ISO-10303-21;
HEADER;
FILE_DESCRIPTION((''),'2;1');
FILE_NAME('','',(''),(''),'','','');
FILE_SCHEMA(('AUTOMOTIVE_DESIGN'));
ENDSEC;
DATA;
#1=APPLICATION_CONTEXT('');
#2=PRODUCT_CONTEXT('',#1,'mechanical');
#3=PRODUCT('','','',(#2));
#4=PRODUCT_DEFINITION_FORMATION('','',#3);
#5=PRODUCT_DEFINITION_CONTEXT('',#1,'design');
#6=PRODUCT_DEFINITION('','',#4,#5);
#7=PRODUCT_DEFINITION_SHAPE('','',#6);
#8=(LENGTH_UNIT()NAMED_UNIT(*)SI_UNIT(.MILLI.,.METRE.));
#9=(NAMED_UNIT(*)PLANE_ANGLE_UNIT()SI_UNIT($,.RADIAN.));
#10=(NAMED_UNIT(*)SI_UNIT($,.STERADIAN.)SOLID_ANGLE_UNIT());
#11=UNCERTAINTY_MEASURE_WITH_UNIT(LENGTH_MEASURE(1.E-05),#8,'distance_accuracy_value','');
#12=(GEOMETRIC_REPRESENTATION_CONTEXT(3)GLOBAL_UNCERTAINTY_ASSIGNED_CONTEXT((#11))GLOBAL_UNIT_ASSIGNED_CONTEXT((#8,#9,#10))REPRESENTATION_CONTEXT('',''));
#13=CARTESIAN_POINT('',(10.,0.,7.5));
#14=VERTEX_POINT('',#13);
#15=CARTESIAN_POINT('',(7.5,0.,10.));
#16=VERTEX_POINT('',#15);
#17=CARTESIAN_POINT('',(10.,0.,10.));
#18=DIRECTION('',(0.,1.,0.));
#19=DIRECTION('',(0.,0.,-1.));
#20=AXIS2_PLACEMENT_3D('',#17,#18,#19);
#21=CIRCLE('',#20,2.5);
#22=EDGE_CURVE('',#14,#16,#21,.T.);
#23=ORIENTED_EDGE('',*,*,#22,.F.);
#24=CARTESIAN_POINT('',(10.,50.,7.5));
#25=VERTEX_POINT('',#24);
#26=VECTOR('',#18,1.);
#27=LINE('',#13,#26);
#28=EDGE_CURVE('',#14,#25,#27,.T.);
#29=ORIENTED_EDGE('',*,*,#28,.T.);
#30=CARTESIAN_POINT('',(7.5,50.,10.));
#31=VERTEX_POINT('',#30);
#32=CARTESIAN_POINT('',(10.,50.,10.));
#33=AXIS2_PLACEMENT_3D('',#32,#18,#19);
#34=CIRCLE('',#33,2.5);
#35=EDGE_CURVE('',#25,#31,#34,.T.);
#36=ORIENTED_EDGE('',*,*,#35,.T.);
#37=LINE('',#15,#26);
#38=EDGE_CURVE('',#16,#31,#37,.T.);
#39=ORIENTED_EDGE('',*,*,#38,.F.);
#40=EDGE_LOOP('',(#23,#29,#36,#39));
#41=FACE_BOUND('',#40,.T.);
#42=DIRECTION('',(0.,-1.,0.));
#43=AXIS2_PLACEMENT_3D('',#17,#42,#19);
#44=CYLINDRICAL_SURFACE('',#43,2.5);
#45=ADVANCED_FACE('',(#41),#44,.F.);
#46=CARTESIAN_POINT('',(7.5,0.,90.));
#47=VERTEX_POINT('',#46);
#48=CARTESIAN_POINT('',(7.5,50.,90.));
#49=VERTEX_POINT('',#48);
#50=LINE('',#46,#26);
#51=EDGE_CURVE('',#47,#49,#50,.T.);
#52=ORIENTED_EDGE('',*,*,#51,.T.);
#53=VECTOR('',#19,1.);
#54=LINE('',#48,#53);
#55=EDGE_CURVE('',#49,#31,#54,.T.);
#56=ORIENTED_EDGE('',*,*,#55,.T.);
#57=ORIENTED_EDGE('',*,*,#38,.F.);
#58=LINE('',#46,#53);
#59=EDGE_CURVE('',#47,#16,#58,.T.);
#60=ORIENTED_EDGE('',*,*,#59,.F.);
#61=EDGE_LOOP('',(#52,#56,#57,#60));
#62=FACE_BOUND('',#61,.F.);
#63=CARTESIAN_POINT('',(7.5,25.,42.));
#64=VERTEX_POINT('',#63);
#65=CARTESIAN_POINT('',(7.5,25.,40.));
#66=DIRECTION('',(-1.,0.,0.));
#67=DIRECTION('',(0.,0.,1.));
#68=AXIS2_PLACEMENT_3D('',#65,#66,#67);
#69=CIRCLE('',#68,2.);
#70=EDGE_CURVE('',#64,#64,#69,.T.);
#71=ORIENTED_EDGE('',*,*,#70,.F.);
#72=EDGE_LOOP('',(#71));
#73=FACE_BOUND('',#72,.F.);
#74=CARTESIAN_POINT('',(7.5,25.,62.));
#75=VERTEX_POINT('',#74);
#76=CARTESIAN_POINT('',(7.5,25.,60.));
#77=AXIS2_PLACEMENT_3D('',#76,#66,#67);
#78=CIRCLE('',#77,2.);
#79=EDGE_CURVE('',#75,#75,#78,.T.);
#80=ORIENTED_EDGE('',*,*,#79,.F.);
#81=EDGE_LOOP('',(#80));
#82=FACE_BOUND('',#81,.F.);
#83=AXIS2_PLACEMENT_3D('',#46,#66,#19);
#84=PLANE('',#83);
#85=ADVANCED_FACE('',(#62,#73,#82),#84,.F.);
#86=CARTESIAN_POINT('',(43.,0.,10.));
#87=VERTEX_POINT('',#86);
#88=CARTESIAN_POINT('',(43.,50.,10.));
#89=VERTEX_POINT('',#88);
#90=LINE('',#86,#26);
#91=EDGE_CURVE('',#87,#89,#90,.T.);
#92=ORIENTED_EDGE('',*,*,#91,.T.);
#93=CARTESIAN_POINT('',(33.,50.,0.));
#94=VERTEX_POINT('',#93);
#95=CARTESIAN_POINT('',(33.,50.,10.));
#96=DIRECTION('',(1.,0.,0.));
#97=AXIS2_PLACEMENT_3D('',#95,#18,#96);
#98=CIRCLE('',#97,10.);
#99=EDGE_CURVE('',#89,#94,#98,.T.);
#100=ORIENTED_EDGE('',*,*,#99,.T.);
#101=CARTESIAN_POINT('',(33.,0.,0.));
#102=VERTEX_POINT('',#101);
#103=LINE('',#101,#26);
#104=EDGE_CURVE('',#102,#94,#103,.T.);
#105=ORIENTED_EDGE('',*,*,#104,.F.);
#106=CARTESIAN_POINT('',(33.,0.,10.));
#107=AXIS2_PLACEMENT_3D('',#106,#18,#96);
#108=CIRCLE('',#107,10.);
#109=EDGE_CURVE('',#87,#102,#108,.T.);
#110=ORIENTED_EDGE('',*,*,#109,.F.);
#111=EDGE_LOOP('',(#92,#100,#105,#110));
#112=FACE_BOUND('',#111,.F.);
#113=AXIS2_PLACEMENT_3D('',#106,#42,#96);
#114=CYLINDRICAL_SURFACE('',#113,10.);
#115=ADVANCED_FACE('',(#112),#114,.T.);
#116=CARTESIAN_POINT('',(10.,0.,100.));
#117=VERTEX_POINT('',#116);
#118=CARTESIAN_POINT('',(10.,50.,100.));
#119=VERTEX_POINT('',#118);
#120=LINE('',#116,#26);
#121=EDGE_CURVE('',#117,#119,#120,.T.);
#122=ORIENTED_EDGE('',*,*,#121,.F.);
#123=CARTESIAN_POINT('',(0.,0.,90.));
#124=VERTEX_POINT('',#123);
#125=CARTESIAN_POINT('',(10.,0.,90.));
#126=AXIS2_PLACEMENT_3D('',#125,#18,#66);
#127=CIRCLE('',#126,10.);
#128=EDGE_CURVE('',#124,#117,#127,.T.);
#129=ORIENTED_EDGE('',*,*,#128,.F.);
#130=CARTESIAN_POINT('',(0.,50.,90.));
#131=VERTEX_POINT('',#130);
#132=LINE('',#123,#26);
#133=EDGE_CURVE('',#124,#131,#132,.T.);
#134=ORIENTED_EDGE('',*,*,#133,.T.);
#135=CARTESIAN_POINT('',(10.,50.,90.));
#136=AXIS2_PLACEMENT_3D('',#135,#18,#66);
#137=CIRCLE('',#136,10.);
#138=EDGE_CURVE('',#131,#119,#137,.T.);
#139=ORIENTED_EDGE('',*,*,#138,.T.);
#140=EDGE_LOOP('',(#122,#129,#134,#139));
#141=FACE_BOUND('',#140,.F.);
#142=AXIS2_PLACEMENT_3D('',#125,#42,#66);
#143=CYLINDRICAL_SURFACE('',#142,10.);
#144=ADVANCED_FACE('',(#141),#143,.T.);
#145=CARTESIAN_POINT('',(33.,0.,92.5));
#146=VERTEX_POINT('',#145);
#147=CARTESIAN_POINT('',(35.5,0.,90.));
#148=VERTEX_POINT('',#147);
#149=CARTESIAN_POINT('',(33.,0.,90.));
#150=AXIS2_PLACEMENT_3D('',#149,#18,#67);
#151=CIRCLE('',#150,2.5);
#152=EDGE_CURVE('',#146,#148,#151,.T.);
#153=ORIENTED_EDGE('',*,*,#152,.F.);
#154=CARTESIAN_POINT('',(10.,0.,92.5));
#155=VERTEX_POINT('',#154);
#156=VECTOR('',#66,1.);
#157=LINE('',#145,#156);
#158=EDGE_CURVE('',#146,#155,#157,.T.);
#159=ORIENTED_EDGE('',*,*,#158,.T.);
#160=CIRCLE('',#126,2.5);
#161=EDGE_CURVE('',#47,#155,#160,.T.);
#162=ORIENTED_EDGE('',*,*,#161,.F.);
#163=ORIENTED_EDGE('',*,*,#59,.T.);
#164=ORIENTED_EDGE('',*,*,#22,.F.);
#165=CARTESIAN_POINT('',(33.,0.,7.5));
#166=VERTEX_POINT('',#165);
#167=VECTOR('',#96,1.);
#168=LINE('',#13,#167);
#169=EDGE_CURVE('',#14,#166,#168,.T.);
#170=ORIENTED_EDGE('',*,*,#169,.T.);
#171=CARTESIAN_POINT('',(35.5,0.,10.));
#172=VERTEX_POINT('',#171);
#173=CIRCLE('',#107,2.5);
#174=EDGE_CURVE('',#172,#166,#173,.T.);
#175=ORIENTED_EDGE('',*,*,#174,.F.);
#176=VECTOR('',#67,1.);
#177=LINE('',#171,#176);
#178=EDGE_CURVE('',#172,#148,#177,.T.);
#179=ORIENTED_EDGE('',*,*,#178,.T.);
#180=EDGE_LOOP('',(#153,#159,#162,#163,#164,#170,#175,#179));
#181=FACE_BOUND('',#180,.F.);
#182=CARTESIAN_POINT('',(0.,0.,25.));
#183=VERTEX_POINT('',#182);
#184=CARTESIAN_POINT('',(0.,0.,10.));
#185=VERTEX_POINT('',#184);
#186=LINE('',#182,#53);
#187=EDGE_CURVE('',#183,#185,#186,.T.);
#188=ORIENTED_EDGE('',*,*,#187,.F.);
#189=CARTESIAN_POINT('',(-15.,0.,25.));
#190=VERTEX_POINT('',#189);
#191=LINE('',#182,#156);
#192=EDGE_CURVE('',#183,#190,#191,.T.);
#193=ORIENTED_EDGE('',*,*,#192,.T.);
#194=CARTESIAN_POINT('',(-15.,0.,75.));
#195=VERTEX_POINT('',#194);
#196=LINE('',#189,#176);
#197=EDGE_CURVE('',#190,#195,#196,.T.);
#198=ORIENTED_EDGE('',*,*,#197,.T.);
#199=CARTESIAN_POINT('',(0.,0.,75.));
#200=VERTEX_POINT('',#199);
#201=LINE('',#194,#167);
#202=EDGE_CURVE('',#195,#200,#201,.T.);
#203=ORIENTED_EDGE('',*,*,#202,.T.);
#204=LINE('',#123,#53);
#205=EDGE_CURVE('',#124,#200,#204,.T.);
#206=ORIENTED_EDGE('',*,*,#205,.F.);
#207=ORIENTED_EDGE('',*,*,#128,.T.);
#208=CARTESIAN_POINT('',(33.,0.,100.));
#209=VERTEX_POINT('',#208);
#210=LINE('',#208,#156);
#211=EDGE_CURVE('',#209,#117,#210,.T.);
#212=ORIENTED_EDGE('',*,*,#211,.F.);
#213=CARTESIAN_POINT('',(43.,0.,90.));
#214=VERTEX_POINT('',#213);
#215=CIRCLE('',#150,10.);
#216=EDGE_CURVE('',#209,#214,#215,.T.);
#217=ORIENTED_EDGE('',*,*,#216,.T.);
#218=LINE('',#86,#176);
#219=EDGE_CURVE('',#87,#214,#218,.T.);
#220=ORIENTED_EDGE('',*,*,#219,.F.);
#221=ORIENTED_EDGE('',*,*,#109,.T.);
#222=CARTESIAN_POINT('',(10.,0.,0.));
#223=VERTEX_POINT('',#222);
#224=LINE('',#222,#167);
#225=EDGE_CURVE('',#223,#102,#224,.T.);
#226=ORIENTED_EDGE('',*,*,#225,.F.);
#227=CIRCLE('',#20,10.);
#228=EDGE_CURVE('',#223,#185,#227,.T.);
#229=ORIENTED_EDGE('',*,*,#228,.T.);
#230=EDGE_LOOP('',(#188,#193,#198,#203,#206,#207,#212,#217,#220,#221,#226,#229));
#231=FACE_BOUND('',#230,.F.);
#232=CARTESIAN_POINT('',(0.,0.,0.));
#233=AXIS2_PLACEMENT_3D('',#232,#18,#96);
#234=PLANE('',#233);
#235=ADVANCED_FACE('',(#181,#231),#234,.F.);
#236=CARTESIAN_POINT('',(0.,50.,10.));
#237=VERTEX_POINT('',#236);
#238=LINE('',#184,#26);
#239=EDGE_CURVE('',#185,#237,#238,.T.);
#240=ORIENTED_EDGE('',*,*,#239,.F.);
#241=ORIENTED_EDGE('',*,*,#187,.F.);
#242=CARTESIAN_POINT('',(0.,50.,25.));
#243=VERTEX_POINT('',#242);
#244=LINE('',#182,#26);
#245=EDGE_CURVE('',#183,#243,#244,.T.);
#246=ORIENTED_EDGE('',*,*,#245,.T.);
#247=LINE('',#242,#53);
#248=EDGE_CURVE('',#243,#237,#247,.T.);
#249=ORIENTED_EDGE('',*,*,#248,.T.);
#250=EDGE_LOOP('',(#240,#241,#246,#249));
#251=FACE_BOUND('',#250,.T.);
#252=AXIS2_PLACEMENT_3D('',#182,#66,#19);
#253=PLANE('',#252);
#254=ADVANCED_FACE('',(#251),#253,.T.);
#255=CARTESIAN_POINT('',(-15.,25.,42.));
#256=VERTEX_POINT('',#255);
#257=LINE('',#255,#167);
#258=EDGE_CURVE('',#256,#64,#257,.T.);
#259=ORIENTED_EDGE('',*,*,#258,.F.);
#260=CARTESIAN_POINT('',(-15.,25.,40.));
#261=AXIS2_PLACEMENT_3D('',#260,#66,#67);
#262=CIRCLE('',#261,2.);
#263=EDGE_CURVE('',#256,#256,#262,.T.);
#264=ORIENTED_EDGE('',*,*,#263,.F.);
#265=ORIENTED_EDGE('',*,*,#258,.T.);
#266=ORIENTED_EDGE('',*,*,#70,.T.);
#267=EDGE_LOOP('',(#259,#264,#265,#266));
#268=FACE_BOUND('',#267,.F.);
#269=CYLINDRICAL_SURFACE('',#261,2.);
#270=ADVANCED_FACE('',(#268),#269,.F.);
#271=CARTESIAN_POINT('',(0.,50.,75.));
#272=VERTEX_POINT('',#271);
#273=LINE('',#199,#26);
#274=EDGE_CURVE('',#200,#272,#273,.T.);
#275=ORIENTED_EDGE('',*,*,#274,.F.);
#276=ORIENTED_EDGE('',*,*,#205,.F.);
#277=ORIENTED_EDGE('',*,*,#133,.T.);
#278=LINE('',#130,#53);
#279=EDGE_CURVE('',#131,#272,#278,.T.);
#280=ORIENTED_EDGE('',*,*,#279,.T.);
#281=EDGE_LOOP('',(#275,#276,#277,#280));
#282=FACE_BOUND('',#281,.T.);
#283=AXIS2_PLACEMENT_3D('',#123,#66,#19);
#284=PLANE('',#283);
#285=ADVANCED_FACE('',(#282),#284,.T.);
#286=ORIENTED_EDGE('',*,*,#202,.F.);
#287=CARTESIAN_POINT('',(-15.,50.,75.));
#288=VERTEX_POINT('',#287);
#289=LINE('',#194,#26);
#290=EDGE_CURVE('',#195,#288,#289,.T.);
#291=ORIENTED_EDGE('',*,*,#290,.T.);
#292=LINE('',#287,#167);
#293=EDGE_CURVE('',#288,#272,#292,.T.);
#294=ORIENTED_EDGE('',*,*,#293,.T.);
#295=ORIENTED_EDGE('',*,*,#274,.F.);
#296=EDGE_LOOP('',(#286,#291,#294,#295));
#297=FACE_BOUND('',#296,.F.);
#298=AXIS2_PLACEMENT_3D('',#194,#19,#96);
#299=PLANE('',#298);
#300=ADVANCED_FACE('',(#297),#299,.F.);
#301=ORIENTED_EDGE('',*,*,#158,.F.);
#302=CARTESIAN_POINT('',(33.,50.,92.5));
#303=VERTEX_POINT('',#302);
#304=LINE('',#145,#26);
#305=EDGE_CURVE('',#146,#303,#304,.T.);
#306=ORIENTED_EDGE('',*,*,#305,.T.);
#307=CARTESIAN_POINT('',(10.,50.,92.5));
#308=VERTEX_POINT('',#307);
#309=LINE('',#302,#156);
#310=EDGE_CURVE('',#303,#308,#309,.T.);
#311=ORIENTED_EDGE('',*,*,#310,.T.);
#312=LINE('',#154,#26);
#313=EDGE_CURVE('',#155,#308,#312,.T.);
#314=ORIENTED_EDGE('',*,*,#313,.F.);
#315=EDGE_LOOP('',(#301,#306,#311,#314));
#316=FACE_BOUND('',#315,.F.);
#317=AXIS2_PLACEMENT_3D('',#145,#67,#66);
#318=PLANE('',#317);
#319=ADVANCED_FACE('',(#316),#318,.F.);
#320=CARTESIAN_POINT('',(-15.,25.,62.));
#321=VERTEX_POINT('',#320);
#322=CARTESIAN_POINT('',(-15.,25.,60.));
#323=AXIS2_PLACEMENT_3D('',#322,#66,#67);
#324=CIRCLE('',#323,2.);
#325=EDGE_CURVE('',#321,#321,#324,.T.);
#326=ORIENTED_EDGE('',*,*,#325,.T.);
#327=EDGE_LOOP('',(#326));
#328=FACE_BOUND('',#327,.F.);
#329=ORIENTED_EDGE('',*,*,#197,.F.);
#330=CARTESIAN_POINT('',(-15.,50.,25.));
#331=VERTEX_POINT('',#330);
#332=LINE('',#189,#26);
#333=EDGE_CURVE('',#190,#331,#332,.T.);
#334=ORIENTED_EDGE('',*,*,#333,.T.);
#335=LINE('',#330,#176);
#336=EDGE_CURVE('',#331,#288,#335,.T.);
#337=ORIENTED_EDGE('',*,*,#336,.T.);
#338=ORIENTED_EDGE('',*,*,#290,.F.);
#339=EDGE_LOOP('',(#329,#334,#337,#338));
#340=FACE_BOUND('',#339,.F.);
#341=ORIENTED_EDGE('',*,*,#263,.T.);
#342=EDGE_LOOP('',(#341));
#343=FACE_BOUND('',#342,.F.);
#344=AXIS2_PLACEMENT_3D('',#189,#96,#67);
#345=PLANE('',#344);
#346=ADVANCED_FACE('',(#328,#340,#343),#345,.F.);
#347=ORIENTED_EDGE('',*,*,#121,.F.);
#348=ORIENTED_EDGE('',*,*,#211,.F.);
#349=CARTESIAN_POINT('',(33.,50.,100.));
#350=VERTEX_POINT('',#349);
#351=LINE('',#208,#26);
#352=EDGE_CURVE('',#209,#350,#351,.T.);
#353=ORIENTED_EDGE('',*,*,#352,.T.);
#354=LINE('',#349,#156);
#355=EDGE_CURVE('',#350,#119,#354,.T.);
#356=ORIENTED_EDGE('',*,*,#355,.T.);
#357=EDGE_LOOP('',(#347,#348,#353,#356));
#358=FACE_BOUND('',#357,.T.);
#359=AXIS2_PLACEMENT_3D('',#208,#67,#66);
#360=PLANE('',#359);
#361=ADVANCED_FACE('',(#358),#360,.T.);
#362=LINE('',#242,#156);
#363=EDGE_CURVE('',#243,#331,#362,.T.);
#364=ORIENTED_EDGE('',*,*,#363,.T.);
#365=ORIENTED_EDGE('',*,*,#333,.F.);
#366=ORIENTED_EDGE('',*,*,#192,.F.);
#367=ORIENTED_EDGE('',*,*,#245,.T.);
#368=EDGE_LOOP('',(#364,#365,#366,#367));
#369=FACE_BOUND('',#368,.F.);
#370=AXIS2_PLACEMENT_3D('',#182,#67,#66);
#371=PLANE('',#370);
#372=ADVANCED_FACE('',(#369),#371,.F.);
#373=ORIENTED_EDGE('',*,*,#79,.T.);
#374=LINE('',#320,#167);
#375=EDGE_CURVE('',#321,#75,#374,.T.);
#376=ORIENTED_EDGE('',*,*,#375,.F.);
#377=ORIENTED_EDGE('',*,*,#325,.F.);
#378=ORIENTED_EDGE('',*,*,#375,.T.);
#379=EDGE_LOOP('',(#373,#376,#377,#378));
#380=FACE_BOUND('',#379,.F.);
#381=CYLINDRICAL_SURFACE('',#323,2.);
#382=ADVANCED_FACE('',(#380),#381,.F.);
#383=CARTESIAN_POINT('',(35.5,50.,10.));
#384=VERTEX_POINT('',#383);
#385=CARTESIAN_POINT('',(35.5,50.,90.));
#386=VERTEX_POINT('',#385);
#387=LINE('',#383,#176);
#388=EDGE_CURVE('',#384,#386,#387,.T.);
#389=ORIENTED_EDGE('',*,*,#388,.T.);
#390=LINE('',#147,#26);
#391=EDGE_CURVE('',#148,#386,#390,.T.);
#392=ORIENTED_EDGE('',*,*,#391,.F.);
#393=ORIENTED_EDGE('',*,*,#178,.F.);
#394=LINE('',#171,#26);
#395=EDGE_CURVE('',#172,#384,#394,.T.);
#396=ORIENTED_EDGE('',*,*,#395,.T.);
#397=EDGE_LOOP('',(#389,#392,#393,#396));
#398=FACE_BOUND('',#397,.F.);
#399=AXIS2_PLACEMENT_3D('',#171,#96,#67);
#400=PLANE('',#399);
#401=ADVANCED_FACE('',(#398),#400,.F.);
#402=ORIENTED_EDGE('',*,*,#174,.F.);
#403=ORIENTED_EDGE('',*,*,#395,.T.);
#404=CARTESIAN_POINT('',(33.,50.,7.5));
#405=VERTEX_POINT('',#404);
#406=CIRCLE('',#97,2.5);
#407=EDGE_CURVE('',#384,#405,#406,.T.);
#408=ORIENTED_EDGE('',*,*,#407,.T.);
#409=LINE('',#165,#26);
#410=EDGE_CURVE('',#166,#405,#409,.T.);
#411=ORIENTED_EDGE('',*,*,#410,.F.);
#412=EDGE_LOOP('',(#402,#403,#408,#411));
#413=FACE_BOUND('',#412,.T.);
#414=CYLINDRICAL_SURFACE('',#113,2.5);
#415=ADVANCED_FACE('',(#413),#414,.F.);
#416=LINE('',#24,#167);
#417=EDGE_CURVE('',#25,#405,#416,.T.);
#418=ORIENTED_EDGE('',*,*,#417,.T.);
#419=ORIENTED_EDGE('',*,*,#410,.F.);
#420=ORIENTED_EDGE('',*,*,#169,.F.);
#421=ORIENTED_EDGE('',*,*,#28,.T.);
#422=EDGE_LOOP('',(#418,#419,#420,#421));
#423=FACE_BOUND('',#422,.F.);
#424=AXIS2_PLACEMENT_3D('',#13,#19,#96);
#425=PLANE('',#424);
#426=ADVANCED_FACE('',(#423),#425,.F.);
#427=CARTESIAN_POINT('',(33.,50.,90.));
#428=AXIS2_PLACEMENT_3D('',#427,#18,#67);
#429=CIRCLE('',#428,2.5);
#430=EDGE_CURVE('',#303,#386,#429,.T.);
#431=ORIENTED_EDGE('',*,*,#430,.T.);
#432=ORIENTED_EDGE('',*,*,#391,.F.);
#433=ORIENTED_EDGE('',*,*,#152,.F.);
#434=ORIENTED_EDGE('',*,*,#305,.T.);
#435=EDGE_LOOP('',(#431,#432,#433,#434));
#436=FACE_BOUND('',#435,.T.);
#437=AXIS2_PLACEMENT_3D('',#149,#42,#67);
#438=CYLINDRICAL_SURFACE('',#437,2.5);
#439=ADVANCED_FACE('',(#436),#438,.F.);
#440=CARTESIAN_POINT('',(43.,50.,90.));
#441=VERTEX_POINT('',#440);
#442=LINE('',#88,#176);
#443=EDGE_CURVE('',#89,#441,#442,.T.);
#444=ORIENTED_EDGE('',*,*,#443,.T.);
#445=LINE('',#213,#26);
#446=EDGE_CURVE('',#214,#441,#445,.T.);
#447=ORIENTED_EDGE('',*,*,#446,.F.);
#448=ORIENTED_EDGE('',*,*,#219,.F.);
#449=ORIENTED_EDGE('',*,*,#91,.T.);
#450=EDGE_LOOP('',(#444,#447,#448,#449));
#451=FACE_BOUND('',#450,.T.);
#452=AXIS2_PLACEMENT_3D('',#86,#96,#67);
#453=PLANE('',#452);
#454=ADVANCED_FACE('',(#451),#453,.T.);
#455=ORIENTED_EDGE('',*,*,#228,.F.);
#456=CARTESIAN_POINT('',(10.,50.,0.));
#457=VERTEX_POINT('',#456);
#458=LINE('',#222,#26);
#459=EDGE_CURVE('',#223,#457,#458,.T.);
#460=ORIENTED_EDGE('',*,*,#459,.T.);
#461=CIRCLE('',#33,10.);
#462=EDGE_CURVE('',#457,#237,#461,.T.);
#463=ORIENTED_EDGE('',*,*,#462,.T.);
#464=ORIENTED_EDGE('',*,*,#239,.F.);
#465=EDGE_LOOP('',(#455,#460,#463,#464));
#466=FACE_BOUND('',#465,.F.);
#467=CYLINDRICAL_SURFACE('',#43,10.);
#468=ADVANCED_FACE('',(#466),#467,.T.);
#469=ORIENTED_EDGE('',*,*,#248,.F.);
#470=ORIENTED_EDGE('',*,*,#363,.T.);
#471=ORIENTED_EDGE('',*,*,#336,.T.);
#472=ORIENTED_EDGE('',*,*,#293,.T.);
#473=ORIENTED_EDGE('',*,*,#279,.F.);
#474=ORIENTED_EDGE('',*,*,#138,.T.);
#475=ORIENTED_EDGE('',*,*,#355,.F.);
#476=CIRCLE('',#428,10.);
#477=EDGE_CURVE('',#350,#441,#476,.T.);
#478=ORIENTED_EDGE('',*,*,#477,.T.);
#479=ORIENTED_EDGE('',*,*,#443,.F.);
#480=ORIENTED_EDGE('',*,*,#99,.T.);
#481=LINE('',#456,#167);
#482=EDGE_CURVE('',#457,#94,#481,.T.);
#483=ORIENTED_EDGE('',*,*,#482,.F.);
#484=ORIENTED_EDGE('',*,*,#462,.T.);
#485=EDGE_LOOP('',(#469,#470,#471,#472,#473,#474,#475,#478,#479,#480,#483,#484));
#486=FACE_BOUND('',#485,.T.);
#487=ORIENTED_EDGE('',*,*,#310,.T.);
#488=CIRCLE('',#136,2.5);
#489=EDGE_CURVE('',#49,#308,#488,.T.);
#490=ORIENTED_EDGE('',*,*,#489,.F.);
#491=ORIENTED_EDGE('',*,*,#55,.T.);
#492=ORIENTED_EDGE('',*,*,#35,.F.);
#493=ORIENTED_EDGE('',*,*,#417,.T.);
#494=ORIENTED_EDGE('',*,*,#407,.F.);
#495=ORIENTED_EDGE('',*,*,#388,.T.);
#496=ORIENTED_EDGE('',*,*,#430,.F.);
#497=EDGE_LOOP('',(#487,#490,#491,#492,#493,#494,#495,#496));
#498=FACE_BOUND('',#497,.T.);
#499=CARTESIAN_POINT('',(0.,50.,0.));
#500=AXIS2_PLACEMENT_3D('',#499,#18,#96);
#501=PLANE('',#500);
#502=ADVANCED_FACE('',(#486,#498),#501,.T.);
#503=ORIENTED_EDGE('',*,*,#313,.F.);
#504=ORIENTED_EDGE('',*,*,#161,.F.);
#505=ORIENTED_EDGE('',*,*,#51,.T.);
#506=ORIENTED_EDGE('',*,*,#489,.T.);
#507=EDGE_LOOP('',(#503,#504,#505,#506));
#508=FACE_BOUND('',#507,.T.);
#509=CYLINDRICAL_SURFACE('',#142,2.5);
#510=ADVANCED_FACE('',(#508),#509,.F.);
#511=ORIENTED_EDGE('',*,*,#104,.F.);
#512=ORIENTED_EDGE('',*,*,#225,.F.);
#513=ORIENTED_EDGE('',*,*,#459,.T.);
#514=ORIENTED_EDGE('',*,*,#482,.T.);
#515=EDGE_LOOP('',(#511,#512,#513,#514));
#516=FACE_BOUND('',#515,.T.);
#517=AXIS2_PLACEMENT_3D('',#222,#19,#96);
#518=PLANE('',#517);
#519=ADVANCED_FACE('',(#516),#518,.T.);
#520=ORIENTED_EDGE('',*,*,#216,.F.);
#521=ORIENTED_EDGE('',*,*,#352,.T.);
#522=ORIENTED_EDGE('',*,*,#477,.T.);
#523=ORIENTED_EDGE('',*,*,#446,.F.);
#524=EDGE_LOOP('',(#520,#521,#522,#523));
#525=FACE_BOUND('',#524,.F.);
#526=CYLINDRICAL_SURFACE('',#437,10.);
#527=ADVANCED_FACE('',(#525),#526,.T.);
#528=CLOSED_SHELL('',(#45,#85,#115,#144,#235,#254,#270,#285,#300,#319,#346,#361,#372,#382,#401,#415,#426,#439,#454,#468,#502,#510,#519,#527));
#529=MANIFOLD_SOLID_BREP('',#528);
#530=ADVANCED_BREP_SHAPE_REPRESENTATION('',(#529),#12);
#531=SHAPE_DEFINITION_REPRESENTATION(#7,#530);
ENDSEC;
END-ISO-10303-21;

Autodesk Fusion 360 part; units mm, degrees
sketch "Sketch1" plane through (0, 0, 0) normal (1, 0, 0) x (0, 0, -1)
sketch "Sketch2" plane through (0, 0, 0) normal (0, 1, 0) x (1, 0, 0)
  line L0 (10, 0) -> (33, 0)
  line L1 (43, -10) -> (43, -90)
  line L2 (33, -100) -> (10, -100)
  line L3 (0, -25) -> (-15, -25)
  line L4 (-15, -25) -> (-15, -75)
  line L5 (-15, -75) -> (0, -75)
  arc A0 (10, 0) -> (0, -10) centre (10, -10) ccw
  arc A1 (43, -10) -> (33, 0) centre (33, -10) ccw
  arc A2 (33, -100) -> (43, -90) centre (33, -90) ccw
  arc A3 (0, -90) -> (10, -100) centre (10, -90) ccw
  arc A4 (10, -7.5) -> (7.5, -10) centre (10, -10) ccw
  line L6 (7.5, -90) -> (7.5, -10)
  arc A5 (7.5, -90) -> (10, -92.5) centre (10, -90) ccw
  line L7 (33, -92.5) -> (10, -92.5)
  arc A6 (33, -92.5) -> (35.5, -90) centre (33, -90) ccw
  line L8 (35.5, -10) -> (35.5, -90)
  arc A7 (35.5, -10) -> (33, -7.5) centre (33, -10) ccw
  line L9 (10, -7.5) -> (33, -7.5)
  line L10 (0, -90) -> (0, -75)
  line L11 (0, -25) -> (0, -10)
  point P0 (43, 0)
  point P1 (0, -100)
  dimension "d13" = 43
extrude "Extrude1" add sketch "Sketch2" along normal blind 50
sketch "Sketch3" plane through (-15, 0, 0) normal (-1, 0, 0) x (0, 0, 1)
  line L0 (25, 0) -> (75, 0)
  line L1 (75, 0) -> (75, 50)
  line L2 (75, 50) -> (25, 50)
  line L3 (25, 50) -> (25, 0)
  circle A0 centre (40, 25) radius 2
  circle A1 centre (60, 25) radius 2
  dimension "d7" = 4
  dimension "d8" = 4
extrude "Extrude2" cut sketch "Sketch3" against normal blind 45 contours A0 | A1
